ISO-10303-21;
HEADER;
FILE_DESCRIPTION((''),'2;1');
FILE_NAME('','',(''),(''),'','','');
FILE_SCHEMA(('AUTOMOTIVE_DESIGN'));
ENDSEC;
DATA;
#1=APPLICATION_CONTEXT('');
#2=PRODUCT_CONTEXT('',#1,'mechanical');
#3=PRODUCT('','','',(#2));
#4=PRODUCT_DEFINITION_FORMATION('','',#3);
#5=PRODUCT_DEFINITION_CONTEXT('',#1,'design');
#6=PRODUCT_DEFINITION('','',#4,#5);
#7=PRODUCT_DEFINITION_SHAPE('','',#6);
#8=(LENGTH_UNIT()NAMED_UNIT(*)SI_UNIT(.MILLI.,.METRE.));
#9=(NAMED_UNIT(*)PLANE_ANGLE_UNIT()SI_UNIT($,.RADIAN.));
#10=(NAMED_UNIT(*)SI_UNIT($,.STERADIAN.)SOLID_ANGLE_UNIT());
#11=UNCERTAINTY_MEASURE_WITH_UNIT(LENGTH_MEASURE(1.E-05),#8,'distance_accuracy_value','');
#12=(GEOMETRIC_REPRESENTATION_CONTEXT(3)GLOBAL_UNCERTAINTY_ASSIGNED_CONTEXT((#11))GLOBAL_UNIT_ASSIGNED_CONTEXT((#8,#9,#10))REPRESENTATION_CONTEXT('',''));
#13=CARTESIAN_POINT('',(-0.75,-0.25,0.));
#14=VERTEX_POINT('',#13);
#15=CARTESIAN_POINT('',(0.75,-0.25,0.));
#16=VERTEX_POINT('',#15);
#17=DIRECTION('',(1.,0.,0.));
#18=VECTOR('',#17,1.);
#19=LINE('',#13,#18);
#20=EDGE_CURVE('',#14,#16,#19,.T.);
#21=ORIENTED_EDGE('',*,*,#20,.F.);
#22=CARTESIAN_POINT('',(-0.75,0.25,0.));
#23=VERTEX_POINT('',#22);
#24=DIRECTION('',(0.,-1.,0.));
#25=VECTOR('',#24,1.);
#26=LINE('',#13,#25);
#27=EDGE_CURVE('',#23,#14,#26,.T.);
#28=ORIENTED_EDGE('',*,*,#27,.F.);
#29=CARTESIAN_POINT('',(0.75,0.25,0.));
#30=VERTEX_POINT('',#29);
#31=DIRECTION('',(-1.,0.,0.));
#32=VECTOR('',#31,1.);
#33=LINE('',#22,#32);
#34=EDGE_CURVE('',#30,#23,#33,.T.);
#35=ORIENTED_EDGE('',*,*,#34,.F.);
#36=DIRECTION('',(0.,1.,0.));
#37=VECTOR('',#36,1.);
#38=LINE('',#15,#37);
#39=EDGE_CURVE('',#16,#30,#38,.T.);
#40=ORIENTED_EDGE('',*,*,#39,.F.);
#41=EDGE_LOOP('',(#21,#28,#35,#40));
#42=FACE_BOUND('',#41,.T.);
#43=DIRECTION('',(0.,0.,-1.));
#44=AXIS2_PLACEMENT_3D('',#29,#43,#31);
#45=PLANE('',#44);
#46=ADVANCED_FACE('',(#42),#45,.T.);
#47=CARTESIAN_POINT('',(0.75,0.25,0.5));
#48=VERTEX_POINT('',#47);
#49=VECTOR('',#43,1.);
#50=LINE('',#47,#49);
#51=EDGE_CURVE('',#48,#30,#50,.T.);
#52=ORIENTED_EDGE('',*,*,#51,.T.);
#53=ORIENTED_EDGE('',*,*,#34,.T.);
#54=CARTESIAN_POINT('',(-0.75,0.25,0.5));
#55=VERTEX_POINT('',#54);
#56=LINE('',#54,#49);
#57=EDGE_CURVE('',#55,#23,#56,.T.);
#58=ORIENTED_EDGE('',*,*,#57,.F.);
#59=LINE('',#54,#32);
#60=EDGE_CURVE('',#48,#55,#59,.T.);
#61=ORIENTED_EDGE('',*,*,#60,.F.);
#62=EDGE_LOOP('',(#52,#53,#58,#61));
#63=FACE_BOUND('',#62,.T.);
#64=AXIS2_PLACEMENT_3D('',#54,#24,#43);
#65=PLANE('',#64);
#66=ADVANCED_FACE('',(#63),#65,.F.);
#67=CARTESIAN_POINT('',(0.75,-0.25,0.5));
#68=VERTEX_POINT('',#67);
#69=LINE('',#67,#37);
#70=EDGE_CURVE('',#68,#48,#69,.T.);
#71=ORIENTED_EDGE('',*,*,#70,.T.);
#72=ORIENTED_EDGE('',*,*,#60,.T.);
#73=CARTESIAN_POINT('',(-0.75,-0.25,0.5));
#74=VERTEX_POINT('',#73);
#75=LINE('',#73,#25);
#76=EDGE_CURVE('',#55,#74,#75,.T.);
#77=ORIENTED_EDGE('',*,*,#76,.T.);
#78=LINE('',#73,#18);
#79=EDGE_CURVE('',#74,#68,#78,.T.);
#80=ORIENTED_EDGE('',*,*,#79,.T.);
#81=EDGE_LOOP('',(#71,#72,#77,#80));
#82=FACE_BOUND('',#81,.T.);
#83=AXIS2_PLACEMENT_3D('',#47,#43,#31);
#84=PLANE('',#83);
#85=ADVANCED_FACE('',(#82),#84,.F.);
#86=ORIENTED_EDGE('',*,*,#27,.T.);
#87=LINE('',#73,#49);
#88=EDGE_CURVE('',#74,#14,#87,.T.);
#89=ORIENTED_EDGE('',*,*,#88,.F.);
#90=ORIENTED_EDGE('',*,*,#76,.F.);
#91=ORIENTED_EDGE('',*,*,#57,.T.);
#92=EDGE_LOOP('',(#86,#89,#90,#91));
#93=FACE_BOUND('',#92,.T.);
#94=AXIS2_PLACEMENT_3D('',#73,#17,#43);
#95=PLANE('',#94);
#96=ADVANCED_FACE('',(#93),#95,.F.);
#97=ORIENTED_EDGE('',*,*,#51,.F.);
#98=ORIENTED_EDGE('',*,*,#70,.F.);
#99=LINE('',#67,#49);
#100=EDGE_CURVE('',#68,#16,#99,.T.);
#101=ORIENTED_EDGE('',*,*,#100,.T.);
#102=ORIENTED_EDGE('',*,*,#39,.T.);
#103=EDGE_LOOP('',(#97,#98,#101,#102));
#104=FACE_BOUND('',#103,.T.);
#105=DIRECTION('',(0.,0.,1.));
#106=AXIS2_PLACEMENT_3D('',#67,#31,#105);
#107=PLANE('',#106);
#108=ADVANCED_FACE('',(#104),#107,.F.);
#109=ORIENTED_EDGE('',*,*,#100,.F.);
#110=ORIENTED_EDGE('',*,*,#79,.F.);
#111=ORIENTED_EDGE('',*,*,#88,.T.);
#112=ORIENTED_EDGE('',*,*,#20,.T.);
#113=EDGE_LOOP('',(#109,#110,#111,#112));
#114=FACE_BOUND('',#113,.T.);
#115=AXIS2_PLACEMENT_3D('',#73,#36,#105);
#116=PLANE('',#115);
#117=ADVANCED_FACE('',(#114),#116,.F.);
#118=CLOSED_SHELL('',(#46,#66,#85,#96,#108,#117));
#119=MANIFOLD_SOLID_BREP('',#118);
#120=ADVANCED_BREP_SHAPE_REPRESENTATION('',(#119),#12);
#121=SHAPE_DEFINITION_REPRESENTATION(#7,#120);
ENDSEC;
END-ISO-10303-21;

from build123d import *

# Parameters (mm, degrees)
SKETCH1_W      = 1.5
SKETCH1_H      = 0.5
EXTRUDE1_DEPTH = 0.5


with BuildPart() as part:
    # Sketch1 → Extrude1 (new body)
    with BuildSketch(Plane.XY):
        Rectangle(SKETCH1_W, SKETCH1_H)
    extrude(amount=EXTRUDE1_DEPTH)


solid = part.part
